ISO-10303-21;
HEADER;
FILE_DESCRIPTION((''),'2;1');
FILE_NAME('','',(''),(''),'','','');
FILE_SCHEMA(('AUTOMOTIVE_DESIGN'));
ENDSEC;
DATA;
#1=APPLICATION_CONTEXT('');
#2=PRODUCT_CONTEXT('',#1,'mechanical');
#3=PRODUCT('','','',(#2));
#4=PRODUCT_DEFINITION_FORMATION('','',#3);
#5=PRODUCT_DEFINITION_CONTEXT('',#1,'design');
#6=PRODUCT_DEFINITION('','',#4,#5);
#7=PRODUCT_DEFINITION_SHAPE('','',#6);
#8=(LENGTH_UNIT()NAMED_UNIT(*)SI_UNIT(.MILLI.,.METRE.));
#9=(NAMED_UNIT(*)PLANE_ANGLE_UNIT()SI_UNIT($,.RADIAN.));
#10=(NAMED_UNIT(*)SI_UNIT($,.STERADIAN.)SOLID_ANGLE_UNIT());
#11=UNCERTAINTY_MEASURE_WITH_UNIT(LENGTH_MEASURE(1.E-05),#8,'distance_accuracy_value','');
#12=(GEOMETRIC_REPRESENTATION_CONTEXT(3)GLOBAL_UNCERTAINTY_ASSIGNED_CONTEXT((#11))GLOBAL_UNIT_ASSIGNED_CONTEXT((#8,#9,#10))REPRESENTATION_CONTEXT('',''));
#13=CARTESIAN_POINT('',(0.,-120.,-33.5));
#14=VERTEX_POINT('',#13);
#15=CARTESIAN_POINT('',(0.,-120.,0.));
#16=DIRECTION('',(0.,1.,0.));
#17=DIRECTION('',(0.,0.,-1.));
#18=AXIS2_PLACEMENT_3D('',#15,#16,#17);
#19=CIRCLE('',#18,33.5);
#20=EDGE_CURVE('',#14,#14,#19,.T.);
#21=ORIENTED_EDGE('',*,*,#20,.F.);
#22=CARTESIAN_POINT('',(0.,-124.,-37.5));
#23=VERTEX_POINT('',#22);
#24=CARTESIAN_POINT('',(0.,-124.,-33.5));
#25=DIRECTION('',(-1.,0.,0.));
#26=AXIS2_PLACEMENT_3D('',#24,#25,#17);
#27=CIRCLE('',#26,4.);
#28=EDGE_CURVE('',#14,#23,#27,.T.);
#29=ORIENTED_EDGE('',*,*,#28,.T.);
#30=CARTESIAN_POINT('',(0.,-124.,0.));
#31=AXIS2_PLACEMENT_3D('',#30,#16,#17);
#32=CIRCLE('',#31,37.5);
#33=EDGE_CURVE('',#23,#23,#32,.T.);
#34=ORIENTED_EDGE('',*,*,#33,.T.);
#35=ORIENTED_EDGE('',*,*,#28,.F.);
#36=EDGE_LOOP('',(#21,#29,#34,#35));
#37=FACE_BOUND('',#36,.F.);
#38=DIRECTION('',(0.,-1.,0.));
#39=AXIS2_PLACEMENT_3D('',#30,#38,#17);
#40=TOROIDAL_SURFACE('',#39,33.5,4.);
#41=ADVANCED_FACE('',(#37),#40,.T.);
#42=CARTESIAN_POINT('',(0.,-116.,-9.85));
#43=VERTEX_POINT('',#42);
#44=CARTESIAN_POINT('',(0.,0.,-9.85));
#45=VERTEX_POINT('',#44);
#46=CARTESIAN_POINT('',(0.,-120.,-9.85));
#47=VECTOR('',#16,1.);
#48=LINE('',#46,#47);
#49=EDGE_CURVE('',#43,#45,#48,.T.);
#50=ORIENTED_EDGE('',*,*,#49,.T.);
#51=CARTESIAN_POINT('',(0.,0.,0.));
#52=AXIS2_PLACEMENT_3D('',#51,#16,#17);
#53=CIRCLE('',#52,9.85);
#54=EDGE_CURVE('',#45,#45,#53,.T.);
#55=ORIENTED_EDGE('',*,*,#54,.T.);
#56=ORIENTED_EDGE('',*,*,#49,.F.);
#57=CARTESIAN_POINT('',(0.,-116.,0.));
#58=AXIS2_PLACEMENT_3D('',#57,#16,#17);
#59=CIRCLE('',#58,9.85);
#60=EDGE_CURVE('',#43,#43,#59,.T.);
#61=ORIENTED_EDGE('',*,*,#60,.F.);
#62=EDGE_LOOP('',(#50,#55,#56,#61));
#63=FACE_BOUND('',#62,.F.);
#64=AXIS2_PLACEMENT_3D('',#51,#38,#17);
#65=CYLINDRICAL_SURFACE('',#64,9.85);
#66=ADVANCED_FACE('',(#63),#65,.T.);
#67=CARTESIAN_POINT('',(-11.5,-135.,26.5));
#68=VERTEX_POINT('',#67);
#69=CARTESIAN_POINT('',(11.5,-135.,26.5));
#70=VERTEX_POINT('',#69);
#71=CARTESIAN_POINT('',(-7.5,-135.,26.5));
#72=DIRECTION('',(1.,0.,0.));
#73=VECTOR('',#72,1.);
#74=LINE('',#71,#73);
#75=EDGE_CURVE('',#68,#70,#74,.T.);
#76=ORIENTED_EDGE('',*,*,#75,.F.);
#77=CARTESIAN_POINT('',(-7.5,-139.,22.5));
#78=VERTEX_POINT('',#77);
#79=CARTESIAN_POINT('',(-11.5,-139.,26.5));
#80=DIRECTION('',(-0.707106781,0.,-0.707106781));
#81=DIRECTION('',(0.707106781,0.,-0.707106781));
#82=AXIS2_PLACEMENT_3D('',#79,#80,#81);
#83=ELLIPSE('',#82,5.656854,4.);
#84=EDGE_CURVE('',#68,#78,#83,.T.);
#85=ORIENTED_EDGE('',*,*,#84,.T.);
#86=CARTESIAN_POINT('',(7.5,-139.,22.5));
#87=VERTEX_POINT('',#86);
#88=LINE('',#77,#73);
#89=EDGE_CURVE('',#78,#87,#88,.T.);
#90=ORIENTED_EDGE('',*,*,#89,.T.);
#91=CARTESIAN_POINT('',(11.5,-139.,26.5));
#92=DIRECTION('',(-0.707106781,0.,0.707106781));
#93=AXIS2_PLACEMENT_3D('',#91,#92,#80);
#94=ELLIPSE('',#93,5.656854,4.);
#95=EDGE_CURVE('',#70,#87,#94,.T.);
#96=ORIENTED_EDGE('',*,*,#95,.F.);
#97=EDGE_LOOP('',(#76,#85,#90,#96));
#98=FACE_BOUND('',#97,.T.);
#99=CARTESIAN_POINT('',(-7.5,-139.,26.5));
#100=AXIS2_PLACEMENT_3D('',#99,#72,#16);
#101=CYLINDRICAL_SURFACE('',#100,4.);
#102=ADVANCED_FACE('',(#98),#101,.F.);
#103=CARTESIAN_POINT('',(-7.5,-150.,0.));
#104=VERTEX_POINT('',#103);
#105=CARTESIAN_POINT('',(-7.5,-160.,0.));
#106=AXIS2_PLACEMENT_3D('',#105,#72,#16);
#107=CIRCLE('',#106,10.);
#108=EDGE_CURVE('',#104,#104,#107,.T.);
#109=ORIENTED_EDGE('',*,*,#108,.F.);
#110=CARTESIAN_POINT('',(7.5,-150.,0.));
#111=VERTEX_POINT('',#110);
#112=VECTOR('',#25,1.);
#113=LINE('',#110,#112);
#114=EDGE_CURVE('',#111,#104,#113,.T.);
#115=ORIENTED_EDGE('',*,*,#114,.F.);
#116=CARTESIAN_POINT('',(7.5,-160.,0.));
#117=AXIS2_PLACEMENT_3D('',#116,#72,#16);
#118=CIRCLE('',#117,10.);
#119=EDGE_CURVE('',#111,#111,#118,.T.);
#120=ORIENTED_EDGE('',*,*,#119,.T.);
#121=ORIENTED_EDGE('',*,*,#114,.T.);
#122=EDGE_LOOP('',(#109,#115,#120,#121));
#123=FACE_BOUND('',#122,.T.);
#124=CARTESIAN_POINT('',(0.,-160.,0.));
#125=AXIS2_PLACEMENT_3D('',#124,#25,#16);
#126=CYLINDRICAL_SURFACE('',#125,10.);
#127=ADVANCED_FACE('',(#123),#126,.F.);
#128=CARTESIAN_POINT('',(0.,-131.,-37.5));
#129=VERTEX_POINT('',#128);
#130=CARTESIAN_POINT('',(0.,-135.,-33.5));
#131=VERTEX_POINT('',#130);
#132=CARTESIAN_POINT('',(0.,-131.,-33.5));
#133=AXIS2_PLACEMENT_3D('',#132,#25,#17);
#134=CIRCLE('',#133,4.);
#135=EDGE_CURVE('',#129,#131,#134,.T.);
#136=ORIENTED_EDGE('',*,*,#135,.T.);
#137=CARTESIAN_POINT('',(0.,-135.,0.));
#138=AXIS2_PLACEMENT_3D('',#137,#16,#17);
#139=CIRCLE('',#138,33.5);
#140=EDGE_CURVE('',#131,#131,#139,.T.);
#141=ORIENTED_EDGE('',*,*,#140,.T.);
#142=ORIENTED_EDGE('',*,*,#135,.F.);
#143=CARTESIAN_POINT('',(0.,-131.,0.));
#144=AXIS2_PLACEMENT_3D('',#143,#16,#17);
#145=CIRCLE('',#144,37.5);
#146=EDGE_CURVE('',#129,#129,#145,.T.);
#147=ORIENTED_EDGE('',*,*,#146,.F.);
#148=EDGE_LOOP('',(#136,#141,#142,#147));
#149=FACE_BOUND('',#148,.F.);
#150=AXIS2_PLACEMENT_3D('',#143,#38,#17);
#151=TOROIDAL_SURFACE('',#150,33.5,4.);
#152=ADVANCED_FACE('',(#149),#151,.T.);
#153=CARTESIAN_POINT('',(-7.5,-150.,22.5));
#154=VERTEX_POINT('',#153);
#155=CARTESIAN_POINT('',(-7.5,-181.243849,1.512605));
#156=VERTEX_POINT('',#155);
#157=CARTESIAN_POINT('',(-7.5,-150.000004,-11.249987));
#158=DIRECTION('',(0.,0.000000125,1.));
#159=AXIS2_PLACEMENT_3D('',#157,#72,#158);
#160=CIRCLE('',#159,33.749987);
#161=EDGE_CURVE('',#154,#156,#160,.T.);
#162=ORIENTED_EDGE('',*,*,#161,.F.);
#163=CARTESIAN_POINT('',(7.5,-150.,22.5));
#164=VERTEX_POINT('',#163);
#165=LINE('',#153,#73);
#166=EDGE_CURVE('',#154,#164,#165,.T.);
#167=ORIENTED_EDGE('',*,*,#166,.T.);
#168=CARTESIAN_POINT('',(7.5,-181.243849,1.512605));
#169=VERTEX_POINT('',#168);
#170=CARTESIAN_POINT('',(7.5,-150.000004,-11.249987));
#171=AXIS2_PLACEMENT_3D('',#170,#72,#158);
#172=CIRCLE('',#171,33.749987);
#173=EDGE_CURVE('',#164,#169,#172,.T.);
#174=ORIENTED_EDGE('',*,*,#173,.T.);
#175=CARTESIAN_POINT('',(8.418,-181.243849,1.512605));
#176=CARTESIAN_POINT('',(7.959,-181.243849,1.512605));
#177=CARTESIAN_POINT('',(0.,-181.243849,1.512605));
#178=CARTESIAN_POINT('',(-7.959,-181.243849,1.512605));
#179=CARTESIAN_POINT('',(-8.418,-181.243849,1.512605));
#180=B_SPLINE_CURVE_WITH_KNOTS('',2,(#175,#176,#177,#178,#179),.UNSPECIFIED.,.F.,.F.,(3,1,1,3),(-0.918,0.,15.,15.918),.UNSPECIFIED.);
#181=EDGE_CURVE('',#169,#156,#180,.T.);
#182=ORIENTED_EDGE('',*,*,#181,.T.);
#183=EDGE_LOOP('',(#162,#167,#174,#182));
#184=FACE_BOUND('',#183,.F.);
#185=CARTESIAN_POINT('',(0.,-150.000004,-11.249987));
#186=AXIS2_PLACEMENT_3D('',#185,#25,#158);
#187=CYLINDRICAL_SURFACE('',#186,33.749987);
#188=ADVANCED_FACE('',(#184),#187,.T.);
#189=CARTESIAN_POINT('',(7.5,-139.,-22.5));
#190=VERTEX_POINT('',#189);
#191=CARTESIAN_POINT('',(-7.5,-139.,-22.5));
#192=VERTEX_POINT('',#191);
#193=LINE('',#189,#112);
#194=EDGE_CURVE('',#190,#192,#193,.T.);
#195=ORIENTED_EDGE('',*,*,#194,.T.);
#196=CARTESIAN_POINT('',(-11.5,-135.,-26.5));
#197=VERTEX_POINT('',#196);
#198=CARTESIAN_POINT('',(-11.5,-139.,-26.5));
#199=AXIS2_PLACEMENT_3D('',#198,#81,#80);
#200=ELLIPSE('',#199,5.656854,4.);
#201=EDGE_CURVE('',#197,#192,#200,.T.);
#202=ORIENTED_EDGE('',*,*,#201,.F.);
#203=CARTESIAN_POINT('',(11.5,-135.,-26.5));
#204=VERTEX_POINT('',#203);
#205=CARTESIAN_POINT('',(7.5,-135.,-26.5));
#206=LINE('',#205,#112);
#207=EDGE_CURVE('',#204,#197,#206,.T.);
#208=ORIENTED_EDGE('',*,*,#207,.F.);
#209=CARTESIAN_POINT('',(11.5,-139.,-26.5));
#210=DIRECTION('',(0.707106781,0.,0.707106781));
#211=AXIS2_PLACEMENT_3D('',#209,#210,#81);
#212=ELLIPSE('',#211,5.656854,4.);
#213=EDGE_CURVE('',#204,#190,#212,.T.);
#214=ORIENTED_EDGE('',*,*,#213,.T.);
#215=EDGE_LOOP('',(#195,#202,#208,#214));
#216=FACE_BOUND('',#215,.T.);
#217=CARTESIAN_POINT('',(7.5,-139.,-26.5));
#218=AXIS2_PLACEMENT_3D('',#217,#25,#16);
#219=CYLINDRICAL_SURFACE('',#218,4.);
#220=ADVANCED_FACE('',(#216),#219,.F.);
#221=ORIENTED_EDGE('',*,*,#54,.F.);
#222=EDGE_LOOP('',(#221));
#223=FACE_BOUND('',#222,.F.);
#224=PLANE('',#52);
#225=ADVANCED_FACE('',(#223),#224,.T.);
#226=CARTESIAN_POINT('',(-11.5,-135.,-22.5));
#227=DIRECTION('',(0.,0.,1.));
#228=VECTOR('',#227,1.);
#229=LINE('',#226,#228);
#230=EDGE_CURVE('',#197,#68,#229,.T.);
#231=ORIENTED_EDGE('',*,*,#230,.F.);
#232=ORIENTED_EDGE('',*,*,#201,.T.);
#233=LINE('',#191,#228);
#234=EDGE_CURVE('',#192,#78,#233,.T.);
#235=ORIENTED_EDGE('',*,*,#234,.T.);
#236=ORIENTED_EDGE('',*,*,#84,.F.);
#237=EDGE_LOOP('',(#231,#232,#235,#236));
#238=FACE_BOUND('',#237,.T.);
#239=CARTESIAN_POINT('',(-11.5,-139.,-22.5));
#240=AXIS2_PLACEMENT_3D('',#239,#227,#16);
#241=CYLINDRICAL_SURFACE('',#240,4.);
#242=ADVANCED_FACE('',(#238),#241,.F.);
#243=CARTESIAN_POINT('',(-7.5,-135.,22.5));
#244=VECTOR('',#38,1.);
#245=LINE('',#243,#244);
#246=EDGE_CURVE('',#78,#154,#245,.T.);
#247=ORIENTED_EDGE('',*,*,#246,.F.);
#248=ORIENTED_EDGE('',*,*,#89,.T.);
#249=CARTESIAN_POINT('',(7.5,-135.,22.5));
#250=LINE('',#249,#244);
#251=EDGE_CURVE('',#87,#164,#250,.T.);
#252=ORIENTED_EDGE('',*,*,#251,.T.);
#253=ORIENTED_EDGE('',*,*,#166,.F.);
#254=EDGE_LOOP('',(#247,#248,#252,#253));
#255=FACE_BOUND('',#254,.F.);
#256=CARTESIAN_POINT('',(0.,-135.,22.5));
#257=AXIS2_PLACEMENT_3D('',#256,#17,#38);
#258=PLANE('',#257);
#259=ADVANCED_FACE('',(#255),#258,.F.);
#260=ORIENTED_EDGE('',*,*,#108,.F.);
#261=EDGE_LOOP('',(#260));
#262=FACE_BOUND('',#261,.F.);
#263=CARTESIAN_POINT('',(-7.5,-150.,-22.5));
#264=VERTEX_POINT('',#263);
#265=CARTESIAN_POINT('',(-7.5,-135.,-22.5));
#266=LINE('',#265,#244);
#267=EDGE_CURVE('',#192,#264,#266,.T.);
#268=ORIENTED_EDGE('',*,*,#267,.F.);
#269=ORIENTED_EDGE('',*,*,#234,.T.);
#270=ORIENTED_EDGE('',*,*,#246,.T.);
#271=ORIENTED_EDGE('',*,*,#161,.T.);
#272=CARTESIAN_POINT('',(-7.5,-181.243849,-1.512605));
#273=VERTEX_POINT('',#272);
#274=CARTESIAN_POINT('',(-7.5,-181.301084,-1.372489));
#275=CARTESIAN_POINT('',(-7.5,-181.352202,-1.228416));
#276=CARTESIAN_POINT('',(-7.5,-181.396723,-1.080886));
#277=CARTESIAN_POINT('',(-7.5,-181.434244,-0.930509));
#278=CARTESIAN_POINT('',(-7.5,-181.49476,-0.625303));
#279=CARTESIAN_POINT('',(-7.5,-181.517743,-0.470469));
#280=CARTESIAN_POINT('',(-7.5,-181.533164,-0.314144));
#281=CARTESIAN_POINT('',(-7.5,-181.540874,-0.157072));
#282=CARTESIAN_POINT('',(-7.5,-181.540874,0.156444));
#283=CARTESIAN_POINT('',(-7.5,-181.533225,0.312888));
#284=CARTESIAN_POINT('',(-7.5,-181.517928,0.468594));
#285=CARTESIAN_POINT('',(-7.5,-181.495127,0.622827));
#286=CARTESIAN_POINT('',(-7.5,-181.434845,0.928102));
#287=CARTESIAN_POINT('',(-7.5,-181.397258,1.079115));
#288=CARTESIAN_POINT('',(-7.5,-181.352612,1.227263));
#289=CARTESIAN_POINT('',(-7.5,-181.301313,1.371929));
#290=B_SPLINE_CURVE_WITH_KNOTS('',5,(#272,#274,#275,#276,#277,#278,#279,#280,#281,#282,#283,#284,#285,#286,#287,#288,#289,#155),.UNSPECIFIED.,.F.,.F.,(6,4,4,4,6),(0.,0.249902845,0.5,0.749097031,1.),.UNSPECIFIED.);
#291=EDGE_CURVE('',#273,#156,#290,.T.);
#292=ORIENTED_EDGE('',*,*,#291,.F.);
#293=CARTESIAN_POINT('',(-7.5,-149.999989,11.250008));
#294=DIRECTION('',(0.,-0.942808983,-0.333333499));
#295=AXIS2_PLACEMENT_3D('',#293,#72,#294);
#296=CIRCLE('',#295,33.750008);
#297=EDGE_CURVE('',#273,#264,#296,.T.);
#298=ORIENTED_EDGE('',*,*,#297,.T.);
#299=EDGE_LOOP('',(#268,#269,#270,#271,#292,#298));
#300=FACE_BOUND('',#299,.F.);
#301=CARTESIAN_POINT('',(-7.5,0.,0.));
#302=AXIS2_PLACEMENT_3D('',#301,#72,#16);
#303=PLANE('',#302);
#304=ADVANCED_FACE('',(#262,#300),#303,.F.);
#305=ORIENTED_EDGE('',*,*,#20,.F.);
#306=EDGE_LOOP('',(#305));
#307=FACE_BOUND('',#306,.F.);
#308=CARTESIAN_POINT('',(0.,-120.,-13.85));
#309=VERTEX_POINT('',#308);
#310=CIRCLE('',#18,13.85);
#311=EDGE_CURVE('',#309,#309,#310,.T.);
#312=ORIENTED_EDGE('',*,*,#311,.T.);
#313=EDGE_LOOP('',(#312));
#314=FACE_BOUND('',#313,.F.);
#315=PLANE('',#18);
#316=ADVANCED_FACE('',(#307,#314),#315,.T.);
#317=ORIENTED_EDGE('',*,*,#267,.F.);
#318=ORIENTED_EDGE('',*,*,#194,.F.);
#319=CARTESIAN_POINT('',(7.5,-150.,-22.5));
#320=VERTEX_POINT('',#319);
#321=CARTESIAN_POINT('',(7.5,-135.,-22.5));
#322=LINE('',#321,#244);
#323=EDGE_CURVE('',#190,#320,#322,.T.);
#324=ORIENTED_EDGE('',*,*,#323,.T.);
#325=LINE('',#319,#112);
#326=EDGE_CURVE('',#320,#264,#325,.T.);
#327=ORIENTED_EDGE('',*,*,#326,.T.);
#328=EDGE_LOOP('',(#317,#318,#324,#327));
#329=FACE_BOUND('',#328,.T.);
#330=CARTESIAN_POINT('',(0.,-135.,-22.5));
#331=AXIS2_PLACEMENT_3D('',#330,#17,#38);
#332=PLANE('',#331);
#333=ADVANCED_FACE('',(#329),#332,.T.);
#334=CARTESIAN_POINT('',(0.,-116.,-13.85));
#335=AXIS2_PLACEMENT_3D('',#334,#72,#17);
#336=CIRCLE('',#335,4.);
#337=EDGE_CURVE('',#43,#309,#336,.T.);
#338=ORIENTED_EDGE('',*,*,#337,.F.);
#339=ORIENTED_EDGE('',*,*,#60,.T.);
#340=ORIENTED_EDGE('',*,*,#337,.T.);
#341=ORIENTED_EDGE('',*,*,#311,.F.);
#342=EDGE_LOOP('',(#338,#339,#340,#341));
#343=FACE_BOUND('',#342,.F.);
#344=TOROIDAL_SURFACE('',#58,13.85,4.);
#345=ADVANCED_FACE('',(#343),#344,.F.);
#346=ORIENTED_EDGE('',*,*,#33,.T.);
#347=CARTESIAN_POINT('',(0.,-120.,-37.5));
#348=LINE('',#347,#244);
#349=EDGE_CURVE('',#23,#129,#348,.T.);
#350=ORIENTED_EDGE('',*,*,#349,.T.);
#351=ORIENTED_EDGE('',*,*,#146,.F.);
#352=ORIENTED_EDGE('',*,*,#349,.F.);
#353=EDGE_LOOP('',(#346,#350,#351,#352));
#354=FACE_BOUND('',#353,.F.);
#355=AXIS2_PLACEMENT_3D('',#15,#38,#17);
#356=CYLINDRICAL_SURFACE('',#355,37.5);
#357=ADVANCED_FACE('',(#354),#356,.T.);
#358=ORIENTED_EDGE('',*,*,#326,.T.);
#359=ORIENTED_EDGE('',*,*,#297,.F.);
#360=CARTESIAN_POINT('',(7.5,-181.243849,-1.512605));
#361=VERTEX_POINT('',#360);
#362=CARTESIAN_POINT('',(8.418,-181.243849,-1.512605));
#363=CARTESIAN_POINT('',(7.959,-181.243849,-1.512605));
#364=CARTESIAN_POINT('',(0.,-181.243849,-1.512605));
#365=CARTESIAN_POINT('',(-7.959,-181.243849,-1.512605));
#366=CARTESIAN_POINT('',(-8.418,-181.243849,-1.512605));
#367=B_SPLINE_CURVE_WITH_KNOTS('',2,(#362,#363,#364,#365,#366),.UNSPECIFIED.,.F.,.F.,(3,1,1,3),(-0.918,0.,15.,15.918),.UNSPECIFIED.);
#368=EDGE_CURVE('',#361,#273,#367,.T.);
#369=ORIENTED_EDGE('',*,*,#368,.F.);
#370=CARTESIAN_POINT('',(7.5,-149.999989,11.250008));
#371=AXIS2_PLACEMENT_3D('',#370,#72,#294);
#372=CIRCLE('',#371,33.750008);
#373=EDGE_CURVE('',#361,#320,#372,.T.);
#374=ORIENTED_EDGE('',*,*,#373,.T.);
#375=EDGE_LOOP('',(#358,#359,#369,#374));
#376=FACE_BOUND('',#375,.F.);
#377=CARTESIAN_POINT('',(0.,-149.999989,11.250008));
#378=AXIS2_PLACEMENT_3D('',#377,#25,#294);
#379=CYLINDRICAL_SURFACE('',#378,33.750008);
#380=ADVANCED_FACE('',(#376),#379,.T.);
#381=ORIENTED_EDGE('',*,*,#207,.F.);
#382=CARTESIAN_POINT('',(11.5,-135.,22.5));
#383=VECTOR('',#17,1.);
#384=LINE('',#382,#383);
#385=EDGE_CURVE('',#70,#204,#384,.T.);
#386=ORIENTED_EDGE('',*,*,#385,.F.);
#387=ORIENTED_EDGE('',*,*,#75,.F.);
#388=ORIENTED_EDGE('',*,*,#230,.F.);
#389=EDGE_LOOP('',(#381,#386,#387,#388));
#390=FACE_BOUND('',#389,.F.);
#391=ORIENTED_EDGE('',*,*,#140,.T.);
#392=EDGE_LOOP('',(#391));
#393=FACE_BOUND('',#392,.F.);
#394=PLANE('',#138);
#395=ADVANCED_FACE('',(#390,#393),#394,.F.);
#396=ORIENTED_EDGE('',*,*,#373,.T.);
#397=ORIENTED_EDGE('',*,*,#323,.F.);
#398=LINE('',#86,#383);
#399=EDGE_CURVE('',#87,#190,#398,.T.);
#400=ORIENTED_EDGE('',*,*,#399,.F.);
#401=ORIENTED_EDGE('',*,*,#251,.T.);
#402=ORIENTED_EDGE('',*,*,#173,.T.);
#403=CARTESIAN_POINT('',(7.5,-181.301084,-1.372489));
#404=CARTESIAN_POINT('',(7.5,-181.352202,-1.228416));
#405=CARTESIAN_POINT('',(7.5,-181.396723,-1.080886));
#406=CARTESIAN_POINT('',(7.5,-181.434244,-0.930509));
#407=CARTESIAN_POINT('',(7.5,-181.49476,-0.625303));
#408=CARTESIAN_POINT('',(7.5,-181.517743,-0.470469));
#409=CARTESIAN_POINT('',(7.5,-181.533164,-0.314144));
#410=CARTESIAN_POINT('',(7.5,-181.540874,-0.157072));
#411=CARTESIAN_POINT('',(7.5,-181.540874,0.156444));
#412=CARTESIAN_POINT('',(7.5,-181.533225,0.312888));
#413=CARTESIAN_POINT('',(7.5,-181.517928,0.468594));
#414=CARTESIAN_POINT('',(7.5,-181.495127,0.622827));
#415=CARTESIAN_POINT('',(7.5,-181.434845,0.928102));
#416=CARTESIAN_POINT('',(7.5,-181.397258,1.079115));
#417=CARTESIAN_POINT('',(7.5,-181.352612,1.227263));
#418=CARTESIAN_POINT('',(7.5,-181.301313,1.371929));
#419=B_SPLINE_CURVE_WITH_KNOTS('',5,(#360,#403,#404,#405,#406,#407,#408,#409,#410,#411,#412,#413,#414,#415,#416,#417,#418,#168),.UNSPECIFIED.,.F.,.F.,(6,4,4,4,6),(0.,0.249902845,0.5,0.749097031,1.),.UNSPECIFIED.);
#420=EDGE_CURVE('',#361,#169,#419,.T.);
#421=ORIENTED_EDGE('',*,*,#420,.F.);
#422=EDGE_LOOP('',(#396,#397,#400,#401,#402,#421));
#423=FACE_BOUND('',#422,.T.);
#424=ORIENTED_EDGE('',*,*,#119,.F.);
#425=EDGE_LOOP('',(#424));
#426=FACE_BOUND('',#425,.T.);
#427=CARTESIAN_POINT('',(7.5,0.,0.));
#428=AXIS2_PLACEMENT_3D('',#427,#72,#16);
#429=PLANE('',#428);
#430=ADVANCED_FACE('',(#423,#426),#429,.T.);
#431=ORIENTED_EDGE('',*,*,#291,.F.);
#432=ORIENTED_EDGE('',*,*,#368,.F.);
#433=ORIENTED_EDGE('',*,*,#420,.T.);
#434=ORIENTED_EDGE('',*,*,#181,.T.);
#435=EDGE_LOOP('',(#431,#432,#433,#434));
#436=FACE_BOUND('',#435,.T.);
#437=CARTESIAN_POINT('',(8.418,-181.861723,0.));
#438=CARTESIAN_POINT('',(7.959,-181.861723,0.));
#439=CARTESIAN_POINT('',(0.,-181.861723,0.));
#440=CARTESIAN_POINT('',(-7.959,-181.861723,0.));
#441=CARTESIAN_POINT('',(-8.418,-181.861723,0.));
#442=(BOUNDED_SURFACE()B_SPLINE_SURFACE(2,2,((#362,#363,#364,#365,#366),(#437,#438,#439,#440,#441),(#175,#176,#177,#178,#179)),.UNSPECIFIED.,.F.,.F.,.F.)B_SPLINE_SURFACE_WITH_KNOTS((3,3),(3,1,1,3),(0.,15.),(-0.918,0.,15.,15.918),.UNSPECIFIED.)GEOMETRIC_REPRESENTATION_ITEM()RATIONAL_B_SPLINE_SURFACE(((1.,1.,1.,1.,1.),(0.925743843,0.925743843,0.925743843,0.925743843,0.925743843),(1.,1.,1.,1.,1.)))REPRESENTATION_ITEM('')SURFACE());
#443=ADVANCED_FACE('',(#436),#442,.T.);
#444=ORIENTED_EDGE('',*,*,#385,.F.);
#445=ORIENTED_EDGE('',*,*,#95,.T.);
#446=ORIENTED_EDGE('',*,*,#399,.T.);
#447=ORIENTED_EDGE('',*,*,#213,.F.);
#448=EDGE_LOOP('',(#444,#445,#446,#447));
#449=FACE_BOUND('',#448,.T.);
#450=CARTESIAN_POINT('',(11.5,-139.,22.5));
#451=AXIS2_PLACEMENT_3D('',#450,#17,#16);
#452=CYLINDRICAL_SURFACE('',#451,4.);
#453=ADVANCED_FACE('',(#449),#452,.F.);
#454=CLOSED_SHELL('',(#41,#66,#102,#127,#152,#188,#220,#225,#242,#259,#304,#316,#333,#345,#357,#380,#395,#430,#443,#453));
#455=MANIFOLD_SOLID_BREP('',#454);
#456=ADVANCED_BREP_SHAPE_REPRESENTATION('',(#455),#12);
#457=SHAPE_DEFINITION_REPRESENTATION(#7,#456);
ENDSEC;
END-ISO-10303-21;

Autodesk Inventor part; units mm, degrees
ref_plane "YZ Plane" through (0, 0, 0) normal (1, 0, 0) x (0, 1, 0)
ref_plane "XZ Plane" through (0, 0, 0) normal (0, 1, 0) x (-1, 0, 0)
ref_plane "XY Plane" through (0, 0, 0) normal (0, 0, 1) x (1, 0, 0)
sketch "Sketch1" plane through (0, 0, 0) normal (1, 0, 0) x (0, 1, 0)
  line L0 (0, 0) -> (0, -9.85)
  line L1 (0, -9.85) -> (-120, -9.85)
  line L2 (-120, -9.85) -> (-120, -37.5)
  line L3 (-120, -37.5) -> (-135, -37.5)
  line L4 (-135, -37.5) -> (-135, 0)
  line L5 (-135, 0) -> (0, 0)
  line L6 (-135, 0) -> (-135, 22.5)
  line L7 (-135, 22.5) -> (-150, 22.5)
  line L8 (-135, 0) -> (-135, -22.5)
  line L9 (-135, -22.5) -> (-150, -22.5)
  arc A0 (-150, 22.5) -> (-181.8198, 0) centre (-150, -11.25) ccw
  arc A1 (-181.8198, 0) -> (-150, -22.5) centre (-150, 11.25) ccw
  arc A2 (-120, -10.1) -> (-119.8236, -9.85) centre (-150, 11.25) ccw
  circle A3 centre (-160, 0) radius 10
  dimension "d0" = 9.85
  dimension "d1" = 120
  dimension "d2" = 27.65
  dimension "d3" = 15
  dimension "d4" = 22.5
  dimension "d5" = 15
  dimension "d6" = 22.5
  dimension "d14" = 33.75
  dimension "d15" = 33.75
  dimension "d16" = 20
  dimension "d17" = 25
revolve "Revolution1" add sketch "Sketch1" angle 360 about axis through (0, -135, 0) along (0, 1, 0) contours L0 L1 L2 L3 L4 L5
extrude "Extrusion1" add sketch "Sketch1" along normal mid plane 15 contours L4 L9 A1 A0 L7 L6
fillet "Fillet1" radius 4 7 edges at (0, -120, 37.5) (0, -135, 37.5) (0, -120, 9.85) (7.5, -135, 0) (0, -135, 22.5) (0, -135, -22.5) (-7.5, -135, 0)
fillet "Fillet2" radius 4 1 edges at (0, -181.8198, 0)
properties material "Aluminum 6061"
